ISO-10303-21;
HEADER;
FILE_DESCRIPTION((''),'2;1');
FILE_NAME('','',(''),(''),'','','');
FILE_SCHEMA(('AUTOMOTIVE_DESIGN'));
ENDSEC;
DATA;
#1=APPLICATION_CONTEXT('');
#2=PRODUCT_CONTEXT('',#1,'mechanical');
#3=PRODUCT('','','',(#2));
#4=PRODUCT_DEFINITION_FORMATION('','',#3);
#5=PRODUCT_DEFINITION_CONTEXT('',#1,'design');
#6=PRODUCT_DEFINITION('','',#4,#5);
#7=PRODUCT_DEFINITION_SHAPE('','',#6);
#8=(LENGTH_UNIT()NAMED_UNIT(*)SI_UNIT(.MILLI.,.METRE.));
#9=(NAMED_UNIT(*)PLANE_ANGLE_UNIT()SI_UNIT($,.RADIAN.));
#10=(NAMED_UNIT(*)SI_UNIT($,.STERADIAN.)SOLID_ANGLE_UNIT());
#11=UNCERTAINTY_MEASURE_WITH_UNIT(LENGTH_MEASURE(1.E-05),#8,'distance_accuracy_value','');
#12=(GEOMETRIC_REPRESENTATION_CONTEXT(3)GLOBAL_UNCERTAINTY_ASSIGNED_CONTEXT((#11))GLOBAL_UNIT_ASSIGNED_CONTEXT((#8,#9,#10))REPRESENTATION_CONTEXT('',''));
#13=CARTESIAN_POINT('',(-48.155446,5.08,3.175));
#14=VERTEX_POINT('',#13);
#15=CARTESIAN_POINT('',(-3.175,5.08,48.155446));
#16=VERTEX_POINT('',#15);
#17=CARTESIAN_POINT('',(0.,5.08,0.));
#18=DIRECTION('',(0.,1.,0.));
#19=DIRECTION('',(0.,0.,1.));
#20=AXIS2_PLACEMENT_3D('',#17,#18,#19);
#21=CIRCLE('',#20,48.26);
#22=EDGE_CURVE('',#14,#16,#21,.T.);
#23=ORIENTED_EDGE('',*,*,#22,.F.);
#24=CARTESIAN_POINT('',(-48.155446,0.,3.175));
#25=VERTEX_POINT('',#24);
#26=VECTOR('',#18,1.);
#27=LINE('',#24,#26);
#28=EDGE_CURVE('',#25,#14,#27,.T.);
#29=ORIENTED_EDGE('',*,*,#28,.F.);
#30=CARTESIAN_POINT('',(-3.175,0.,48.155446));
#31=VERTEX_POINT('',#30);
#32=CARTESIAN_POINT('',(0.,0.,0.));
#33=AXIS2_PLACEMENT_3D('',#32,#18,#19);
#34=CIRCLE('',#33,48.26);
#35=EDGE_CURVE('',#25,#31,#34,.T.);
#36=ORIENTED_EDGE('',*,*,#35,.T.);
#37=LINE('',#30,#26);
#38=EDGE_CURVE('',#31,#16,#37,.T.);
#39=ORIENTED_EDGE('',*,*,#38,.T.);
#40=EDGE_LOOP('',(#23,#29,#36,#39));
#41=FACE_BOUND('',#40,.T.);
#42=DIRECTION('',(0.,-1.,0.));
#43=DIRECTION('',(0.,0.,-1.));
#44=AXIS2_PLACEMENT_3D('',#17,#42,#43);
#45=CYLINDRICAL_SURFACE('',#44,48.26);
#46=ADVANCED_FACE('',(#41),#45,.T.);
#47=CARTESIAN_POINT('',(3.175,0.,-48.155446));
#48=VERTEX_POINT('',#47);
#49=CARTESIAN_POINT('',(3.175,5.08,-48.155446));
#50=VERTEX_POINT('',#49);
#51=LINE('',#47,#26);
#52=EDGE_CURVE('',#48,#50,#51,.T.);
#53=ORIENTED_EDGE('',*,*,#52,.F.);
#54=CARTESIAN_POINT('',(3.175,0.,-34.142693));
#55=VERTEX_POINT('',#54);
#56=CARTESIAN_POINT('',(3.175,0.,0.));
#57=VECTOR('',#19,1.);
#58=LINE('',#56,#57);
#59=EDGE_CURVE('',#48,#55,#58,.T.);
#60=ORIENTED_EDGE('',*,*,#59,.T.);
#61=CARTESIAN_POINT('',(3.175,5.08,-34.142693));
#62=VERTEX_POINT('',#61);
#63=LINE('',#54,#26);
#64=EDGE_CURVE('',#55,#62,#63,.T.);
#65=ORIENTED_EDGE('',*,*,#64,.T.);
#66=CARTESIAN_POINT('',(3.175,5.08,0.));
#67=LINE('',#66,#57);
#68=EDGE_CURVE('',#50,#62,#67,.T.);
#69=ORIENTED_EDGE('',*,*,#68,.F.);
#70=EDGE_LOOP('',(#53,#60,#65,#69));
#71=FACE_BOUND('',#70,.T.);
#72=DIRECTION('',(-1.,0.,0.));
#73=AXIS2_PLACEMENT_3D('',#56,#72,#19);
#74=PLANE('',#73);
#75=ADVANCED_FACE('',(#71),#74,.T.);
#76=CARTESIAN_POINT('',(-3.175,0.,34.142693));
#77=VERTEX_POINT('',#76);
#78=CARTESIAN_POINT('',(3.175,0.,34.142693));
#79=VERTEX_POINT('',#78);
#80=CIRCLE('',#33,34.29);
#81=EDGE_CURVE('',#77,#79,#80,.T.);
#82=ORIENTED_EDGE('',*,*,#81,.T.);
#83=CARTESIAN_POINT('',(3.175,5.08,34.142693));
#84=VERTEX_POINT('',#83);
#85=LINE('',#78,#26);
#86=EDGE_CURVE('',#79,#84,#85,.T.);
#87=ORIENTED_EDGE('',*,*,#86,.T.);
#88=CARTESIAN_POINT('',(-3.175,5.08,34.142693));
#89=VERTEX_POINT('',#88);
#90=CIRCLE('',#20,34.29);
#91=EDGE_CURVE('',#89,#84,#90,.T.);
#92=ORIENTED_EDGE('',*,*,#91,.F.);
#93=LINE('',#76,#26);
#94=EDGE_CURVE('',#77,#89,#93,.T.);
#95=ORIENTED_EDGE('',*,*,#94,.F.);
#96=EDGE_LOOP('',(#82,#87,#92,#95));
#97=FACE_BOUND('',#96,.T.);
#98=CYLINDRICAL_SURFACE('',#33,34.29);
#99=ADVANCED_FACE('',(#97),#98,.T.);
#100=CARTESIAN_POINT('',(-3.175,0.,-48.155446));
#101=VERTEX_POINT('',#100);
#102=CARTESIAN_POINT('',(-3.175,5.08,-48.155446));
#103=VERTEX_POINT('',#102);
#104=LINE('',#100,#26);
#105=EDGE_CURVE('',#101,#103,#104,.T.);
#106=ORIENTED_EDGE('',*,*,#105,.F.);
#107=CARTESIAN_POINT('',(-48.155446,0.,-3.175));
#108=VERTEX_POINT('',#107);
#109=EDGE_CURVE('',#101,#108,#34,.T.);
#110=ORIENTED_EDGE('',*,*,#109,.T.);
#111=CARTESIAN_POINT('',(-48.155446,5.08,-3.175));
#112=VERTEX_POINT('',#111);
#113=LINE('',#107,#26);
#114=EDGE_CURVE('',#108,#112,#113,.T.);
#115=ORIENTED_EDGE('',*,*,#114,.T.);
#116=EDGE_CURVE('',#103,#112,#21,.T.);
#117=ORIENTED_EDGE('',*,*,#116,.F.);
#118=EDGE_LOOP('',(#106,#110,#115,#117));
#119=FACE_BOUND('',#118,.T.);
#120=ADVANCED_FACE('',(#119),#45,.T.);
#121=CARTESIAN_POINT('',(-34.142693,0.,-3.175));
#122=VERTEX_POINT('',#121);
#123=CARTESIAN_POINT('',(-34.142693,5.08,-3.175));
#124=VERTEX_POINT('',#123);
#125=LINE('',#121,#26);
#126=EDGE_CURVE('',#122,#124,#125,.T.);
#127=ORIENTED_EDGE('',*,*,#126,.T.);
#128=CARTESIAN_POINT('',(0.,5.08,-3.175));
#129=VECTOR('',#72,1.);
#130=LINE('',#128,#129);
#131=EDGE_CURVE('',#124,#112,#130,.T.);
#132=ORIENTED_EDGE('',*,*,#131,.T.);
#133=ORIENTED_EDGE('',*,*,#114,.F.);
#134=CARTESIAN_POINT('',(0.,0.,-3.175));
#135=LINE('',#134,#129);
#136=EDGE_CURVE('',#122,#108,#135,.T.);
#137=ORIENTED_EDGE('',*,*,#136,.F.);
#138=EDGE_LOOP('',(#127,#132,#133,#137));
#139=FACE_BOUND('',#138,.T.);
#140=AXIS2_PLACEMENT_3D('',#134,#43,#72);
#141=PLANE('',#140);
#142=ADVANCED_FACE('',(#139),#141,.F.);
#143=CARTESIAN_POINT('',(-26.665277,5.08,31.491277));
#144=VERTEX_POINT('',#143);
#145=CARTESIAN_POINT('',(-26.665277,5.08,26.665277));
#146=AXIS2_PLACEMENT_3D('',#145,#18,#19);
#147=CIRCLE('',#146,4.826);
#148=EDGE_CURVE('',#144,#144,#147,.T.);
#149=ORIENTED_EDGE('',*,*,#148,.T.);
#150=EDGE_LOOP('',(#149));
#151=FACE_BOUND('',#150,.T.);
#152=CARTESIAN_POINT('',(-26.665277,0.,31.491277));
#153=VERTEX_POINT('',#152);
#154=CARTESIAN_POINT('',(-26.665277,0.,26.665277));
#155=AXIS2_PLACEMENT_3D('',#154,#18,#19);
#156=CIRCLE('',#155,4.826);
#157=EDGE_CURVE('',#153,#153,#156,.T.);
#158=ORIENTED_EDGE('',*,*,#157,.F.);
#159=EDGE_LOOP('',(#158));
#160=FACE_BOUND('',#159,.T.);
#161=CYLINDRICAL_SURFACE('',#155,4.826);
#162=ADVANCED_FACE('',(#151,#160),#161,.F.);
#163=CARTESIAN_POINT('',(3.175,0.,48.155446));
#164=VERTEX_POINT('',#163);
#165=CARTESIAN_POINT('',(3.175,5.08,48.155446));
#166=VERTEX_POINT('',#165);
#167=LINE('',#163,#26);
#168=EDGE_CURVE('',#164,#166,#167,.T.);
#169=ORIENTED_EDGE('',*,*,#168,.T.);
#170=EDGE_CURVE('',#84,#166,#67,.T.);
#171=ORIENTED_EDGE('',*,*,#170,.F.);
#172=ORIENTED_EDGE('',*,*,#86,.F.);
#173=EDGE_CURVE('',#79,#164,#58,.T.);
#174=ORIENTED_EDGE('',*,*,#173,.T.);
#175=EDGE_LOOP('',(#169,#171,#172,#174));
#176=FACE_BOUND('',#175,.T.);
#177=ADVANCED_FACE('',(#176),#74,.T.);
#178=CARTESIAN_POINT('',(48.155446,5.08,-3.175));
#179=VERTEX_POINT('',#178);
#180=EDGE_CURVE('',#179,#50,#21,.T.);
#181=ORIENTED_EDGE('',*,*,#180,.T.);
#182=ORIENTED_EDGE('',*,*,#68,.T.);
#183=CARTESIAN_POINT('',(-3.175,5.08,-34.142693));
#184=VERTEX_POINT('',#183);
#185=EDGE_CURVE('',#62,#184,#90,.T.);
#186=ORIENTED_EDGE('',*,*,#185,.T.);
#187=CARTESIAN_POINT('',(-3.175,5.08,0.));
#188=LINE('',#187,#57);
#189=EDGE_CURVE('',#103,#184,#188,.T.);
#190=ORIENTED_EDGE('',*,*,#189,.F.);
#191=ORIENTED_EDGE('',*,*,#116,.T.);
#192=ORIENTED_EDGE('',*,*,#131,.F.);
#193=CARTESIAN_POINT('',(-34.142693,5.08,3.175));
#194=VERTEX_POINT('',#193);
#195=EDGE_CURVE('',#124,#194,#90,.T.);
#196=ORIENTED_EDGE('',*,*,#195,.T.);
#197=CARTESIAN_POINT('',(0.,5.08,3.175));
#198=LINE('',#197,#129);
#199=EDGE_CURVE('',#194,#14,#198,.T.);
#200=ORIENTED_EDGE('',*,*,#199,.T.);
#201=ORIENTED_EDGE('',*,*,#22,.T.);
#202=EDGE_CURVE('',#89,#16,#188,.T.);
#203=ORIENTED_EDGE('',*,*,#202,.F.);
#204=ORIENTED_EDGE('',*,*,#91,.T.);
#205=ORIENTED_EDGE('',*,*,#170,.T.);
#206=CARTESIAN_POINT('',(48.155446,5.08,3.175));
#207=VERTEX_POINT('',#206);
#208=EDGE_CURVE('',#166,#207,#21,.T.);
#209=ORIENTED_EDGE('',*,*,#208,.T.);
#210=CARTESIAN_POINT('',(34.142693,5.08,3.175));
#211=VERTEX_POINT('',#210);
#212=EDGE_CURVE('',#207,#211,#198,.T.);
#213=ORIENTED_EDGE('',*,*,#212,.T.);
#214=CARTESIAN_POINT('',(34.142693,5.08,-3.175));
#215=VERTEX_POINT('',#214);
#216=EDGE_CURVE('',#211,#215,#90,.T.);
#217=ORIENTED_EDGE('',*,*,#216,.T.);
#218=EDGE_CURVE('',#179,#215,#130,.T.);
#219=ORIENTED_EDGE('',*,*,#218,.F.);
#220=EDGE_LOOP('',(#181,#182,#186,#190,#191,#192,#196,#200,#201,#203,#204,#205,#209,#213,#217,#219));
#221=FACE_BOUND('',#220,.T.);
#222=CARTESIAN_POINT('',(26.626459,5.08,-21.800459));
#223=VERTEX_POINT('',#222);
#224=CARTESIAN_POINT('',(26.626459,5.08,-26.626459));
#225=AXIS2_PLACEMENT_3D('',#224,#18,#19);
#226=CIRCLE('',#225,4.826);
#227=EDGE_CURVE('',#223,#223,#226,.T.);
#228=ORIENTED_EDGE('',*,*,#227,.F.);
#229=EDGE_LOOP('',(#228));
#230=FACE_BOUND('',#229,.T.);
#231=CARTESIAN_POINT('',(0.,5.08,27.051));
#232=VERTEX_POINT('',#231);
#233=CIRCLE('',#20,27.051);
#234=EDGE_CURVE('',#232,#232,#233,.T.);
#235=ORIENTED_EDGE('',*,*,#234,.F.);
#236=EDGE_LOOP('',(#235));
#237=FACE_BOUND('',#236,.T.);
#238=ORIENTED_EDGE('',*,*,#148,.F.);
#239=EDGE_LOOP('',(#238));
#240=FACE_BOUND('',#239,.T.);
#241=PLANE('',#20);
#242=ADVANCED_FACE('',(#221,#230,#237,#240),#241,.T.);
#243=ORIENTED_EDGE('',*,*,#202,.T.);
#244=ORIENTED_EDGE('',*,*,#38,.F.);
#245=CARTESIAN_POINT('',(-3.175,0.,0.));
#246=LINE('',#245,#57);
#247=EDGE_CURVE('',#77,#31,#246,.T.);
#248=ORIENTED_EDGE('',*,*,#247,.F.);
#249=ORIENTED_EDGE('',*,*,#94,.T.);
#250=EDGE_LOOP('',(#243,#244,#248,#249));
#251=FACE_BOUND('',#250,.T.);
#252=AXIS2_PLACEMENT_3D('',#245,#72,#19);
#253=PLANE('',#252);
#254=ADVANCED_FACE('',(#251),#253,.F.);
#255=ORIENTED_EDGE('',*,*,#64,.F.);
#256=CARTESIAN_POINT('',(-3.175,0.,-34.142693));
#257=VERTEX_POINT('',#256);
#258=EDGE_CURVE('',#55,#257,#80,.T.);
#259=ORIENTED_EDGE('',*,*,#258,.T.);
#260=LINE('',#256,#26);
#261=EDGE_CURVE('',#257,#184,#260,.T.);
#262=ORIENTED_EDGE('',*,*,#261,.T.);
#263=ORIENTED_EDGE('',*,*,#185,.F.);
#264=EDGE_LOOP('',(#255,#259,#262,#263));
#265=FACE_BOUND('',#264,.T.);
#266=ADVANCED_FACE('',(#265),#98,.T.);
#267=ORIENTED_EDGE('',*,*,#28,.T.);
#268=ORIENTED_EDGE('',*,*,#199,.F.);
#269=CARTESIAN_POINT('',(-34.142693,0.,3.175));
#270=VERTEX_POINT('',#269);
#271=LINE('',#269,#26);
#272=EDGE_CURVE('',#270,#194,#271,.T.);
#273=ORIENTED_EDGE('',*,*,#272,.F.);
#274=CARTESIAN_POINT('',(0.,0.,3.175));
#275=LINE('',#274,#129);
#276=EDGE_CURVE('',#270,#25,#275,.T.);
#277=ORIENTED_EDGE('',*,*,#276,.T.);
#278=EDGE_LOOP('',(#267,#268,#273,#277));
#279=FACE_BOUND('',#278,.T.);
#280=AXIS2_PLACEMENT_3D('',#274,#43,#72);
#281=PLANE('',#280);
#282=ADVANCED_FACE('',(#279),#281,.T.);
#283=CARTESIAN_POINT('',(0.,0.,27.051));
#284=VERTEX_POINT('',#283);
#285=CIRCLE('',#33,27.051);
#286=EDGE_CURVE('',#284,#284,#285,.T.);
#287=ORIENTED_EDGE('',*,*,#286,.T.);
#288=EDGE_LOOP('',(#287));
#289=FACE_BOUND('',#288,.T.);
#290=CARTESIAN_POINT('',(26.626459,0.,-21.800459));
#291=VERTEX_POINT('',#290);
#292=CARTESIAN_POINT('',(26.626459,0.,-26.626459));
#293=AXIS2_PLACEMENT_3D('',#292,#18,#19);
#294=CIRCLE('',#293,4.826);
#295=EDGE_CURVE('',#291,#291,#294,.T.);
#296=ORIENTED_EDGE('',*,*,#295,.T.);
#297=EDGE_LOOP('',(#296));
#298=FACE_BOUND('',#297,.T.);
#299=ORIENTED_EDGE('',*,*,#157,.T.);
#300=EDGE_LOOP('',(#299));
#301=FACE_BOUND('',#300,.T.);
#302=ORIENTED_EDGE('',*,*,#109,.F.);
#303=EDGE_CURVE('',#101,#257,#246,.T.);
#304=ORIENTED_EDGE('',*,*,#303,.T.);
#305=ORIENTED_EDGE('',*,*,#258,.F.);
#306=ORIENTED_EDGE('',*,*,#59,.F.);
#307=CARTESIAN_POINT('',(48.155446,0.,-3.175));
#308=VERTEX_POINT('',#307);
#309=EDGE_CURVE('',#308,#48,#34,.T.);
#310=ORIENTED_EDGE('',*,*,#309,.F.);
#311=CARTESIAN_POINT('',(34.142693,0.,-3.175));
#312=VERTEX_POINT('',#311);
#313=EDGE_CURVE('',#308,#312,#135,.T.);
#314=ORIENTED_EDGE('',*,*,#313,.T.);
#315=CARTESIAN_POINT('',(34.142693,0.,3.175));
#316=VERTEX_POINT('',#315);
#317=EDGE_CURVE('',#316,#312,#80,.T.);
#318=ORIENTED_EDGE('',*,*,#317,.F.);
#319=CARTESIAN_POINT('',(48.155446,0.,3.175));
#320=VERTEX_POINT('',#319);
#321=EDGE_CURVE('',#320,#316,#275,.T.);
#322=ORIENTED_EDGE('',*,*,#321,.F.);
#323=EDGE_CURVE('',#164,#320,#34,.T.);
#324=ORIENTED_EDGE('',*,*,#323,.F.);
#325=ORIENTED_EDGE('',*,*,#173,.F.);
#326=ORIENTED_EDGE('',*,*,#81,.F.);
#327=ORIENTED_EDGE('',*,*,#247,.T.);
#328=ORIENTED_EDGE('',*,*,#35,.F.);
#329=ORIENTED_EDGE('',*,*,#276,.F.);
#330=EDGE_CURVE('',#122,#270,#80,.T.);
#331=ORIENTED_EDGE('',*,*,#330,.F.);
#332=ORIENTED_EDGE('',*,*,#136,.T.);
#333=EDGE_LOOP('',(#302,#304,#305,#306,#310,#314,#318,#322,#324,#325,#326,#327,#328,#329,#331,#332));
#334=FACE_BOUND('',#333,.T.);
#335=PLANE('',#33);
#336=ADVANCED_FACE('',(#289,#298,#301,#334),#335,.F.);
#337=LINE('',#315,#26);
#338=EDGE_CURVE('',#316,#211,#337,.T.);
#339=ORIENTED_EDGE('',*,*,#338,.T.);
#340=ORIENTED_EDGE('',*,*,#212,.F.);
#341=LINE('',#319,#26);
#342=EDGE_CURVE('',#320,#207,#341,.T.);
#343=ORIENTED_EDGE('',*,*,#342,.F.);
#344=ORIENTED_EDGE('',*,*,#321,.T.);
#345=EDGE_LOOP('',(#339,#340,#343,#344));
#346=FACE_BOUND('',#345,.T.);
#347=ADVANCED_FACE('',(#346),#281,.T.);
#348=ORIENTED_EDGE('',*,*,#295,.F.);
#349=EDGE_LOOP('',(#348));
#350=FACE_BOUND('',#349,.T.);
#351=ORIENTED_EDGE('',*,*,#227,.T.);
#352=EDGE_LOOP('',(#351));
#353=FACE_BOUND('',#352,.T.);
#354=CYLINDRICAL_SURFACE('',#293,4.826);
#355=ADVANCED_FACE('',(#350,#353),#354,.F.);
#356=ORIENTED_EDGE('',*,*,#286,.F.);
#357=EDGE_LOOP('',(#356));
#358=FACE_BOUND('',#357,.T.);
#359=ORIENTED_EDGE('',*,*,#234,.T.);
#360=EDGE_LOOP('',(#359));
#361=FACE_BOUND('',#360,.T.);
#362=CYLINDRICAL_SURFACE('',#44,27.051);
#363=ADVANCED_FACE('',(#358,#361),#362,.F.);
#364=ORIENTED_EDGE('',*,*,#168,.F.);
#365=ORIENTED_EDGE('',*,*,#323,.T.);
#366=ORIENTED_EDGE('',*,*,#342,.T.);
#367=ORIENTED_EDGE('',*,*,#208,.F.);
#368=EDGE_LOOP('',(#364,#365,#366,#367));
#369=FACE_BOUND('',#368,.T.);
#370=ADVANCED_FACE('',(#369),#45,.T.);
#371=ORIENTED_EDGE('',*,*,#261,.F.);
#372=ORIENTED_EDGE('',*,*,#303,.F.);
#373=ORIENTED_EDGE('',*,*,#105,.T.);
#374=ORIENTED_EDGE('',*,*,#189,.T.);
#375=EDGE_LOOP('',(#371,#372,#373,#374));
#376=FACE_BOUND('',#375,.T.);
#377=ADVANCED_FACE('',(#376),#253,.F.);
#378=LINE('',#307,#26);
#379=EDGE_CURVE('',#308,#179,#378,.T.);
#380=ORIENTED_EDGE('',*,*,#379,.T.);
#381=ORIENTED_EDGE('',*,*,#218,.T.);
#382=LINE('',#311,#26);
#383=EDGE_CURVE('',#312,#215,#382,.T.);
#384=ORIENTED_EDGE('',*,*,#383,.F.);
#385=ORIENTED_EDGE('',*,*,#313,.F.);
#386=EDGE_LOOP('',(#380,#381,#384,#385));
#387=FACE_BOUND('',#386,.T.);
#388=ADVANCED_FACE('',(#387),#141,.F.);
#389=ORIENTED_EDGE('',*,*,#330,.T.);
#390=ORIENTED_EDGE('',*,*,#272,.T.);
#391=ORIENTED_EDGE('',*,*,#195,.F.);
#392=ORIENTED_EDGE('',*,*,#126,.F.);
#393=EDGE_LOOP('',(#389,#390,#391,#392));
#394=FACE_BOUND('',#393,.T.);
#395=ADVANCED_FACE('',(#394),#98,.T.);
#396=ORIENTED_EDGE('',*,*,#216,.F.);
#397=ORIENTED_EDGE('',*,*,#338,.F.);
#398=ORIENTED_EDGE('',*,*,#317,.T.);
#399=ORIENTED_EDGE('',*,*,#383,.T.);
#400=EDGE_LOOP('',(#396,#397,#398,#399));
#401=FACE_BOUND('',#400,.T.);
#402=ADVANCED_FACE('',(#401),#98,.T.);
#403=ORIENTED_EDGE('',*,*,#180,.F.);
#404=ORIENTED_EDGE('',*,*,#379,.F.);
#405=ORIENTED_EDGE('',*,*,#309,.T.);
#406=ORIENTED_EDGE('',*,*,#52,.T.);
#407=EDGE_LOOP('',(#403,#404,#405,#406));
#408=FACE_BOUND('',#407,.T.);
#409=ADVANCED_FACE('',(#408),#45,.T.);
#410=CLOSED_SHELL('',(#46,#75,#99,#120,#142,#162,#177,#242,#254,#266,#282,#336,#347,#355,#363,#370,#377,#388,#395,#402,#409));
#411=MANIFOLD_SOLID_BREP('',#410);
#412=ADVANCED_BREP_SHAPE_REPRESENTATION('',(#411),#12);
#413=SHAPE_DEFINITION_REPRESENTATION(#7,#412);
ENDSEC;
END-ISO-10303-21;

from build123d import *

# Parameters (mm, degrees)
SKETCH1_R           = 48.26
SKETCH1_R_2         = 27.051
BOSS_EXTRUDE1_DEPTH = 5.08
CUT_EXTRUDE1_DEPTH  = 69.438743413
SKETCH3_R           = 4.826
CUT_EXTRUDE2_DEPTH  = 69.29129044


with BuildPart() as part:
    # Sketch1 → Boss-Extrude1 (new body)
    with BuildSketch(Plane(origin=(0, 0, 0), x_dir=(1, 0, 0), z_dir=(0, 1, 0))):
        with Locations(Location((0, 0, 0), (0, 0, 270))):
            Circle(SKETCH1_R)
        with Locations(Location((0, 0, 0), (0, 0, 270))):
            Circle(SKETCH1_R_2, mode=Mode.SUBTRACT)
    extrude(amount=BOSS_EXTRUDE1_DEPTH)

    # Sketch2 → Cut-Extrude1 (cut, through all)
    with BuildSketch(Plane(origin=(0, 5.08, 0), x_dir=(1, 0, 0), z_dir=(0, 1, 0))):
        with BuildLine():
            ThreePointArc((-34.142692849, -3.175), (-34.29, 0), (-34.142692849, 3.175))
            Line((-34.142692849, 3.175), (-48.155445954, 3.175))
            ThreePointArc((-48.155445954, 3.175), (-48.26, 0), (-48.155445954, -3.175))
            Line((-48.155445954, -3.175), (-34.142692849, -3.175))
        make_face()
        with BuildLine():
            ThreePointArc((48.26, 0), (48.233854406, 1.588360519), (48.155445954, 3.175))
            Line((48.155445954, 3.175), (34.142692849, 3.175))
            ThreePointArc((34.142692849, 3.175), (34.29, 0), (34.142692849, -3.175))
            Line((34.142692849, -3.175), (48.155445954, -3.175))
            ThreePointArc((48.155445954, -3.175), (48.233854406, -1.588360519), (48.26, 0))
        make_face()
        with BuildLine():
            Line((-3.175, -34.142692849), (-3.175, -48.155445954))
            ThreePointArc((-3.175, -48.155445954), (0, -48.26), (3.175, -48.155445954))
            Line((3.175, -48.155445954), (3.175, -34.142692849))
            ThreePointArc((3.175, -34.142692849), (0, -34.29), (-3.175, -34.142692849))
        make_face()
        with BuildLine():
            ThreePointArc((3.175, 48.155445954), (0, 48.26), (-3.175, 48.155445954))
            Line((-3.175, 48.155445954), (-3.175, 34.142692849))
            ThreePointArc((-3.175, 34.142692849), (0, 34.29), (3.175, 34.142692849))
            Line((3.175, 34.142692849), (3.175, 48.155445954))
        make_face()
    extrude(amount=-CUT_EXTRUDE1_DEPTH, mode=Mode.SUBTRACT)

    # Sketch3 → Cut-Extrude2 (cut, through all)
    with BuildSketch(Plane(origin=(0, 5.08, 0), x_dir=(1, 0, 0), z_dir=(0, 1, 0))):
        with Locations(Location((-26.665276966, -26.665276966, 0), (0, 0, 270))):
            Circle(SKETCH3_R)
        with Locations(Location((26.626459399, 26.626459399, 0), (0, 0, 270))):
            Circle(SKETCH3_R)
    extrude(amount=-CUT_EXTRUDE2_DEPTH, mode=Mode.SUBTRACT)


solid = part.part
